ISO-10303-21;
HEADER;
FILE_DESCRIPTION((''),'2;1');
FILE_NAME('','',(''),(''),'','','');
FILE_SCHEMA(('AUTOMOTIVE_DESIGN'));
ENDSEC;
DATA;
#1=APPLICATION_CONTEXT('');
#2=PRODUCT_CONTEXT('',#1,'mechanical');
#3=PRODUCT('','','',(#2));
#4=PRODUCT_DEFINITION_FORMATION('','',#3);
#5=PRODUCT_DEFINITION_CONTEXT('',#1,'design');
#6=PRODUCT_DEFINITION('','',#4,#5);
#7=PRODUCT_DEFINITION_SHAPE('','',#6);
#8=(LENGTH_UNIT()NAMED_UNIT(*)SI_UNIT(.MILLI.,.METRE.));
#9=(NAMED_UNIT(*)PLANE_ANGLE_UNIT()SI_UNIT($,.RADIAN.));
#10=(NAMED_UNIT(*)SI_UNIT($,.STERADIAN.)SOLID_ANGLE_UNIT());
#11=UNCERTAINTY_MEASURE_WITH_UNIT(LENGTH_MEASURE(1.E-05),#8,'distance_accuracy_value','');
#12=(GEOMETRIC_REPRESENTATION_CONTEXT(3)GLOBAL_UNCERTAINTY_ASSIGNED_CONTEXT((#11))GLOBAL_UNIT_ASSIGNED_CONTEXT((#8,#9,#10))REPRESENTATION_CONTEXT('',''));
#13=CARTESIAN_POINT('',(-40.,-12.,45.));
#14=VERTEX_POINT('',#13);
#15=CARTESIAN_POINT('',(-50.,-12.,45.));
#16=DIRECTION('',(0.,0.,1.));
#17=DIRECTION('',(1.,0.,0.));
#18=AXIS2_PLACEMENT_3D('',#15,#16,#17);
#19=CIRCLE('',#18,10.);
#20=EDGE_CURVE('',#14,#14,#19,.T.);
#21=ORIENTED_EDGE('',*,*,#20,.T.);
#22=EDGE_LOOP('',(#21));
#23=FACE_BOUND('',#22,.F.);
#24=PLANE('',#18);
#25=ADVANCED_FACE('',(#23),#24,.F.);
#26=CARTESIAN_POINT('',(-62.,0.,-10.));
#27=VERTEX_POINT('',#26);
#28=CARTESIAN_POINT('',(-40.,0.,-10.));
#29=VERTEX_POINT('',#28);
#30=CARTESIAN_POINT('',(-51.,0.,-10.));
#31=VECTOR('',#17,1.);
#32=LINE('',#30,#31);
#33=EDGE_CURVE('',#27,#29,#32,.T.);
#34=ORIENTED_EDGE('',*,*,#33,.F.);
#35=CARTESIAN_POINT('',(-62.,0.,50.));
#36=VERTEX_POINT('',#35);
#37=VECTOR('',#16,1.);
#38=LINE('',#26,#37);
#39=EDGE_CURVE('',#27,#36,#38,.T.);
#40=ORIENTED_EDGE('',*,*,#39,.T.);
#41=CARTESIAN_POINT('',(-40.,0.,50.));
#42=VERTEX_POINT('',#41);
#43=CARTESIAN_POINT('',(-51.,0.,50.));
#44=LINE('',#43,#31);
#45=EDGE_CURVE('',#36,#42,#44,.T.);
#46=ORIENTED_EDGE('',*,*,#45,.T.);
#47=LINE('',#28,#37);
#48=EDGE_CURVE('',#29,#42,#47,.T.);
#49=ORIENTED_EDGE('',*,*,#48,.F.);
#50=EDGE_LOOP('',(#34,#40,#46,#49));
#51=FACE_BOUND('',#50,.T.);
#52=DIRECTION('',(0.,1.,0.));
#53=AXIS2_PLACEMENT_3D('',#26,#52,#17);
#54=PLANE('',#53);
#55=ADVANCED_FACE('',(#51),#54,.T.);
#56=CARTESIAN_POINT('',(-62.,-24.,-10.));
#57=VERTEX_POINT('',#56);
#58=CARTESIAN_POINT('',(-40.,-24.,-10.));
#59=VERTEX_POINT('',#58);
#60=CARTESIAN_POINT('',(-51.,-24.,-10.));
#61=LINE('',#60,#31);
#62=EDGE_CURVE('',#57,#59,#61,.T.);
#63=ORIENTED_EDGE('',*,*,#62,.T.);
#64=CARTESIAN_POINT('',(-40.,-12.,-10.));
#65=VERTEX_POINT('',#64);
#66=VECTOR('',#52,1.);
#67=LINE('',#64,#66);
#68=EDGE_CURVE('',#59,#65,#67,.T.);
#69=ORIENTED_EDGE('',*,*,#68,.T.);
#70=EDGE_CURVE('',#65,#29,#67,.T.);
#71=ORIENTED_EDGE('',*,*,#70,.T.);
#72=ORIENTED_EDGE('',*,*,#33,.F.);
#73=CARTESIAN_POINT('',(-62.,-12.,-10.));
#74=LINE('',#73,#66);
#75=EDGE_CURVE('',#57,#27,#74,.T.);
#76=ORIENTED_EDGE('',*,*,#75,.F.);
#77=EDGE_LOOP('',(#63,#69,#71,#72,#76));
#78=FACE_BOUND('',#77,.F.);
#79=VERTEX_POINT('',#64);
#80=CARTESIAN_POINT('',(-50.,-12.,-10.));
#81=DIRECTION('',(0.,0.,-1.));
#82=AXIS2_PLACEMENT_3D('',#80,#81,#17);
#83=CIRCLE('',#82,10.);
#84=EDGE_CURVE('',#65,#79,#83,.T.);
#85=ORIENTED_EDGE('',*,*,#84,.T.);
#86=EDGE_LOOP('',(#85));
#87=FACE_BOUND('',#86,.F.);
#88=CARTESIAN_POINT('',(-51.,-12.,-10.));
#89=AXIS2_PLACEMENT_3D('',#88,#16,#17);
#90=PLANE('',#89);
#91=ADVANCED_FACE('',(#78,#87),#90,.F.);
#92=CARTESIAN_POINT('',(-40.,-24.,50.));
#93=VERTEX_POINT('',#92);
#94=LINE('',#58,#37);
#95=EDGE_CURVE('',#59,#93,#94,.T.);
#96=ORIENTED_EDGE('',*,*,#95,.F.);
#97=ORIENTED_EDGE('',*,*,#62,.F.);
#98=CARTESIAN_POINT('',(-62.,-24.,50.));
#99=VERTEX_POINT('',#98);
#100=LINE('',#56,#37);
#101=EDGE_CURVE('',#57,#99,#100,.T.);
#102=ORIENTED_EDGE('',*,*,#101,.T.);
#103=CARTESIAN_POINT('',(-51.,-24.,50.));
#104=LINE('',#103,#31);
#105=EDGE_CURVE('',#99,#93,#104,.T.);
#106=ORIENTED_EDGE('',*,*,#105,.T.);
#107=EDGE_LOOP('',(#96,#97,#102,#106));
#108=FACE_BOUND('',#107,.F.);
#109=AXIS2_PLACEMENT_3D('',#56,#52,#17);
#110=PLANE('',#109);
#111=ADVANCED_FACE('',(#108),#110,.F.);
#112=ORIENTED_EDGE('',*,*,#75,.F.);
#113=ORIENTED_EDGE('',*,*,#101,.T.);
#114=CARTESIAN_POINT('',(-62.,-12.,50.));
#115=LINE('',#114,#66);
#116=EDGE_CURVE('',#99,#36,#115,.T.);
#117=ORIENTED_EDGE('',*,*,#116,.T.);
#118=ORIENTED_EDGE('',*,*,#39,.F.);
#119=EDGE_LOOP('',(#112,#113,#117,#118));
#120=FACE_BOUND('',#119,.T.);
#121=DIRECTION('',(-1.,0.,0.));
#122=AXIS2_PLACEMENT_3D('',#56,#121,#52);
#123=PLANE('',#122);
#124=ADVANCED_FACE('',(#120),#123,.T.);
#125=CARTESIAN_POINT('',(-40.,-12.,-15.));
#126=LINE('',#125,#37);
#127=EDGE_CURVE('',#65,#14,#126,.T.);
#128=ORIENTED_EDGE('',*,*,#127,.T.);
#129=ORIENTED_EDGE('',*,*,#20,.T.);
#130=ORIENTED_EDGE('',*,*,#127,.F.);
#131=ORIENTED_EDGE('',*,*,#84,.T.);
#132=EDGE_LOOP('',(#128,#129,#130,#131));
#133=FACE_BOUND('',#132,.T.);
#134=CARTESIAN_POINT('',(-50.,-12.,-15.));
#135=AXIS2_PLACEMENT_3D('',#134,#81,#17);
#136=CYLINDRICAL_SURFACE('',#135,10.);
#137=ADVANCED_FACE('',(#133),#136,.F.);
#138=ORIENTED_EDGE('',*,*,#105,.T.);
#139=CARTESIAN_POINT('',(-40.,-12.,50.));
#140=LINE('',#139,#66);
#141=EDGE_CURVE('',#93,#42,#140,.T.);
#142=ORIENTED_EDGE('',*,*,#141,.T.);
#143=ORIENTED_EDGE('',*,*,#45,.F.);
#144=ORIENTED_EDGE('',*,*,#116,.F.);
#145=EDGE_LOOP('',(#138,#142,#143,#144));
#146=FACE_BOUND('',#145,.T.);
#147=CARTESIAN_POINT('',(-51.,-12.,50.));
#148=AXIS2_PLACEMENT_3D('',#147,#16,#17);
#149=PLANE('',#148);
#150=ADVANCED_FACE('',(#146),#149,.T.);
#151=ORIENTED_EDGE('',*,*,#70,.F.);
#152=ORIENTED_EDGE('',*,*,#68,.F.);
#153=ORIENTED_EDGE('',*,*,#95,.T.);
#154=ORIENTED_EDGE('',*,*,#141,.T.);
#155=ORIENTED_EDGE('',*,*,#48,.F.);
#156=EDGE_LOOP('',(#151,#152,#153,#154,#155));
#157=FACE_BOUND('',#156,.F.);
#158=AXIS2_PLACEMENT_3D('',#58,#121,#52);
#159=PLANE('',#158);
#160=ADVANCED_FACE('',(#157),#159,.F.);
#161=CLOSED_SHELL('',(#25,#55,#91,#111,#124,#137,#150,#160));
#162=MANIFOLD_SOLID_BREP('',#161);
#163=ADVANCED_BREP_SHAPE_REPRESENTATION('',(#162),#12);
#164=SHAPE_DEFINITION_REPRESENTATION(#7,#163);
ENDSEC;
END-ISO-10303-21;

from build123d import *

# Parameters (mm, degrees)
CYLINDER_R     = 10
CYLINDER_DEPTH = 60
BOX_W          = 22
BOX_H          = 24
BOX_DEPTH      = 60


with BuildPart() as cilindro:
    # Cylinder → Cylinder (new body)
    with BuildSketch(Plane(origin=(-50, -12, -15), x_dir=(1, 0, 0), z_dir=(0, 0, 1))):
        Circle(CYLINDER_R)
    extrude(amount=CYLINDER_DEPTH)


with BuildPart() as cut:
    # Box → Box (new body)
    with BuildSketch(Plane(origin=(-62, -24, -10), x_dir=(1, 0, 0), z_dir=(0, 0, 1))):
        with Locations((11, 12)):
            Rectangle(BOX_W, BOX_H)
    extrude(amount=BOX_DEPTH)

    # Cut: cut Cilindro
    add(cilindro.part, mode=Mode.SUBTRACT)


solid = cut.part
